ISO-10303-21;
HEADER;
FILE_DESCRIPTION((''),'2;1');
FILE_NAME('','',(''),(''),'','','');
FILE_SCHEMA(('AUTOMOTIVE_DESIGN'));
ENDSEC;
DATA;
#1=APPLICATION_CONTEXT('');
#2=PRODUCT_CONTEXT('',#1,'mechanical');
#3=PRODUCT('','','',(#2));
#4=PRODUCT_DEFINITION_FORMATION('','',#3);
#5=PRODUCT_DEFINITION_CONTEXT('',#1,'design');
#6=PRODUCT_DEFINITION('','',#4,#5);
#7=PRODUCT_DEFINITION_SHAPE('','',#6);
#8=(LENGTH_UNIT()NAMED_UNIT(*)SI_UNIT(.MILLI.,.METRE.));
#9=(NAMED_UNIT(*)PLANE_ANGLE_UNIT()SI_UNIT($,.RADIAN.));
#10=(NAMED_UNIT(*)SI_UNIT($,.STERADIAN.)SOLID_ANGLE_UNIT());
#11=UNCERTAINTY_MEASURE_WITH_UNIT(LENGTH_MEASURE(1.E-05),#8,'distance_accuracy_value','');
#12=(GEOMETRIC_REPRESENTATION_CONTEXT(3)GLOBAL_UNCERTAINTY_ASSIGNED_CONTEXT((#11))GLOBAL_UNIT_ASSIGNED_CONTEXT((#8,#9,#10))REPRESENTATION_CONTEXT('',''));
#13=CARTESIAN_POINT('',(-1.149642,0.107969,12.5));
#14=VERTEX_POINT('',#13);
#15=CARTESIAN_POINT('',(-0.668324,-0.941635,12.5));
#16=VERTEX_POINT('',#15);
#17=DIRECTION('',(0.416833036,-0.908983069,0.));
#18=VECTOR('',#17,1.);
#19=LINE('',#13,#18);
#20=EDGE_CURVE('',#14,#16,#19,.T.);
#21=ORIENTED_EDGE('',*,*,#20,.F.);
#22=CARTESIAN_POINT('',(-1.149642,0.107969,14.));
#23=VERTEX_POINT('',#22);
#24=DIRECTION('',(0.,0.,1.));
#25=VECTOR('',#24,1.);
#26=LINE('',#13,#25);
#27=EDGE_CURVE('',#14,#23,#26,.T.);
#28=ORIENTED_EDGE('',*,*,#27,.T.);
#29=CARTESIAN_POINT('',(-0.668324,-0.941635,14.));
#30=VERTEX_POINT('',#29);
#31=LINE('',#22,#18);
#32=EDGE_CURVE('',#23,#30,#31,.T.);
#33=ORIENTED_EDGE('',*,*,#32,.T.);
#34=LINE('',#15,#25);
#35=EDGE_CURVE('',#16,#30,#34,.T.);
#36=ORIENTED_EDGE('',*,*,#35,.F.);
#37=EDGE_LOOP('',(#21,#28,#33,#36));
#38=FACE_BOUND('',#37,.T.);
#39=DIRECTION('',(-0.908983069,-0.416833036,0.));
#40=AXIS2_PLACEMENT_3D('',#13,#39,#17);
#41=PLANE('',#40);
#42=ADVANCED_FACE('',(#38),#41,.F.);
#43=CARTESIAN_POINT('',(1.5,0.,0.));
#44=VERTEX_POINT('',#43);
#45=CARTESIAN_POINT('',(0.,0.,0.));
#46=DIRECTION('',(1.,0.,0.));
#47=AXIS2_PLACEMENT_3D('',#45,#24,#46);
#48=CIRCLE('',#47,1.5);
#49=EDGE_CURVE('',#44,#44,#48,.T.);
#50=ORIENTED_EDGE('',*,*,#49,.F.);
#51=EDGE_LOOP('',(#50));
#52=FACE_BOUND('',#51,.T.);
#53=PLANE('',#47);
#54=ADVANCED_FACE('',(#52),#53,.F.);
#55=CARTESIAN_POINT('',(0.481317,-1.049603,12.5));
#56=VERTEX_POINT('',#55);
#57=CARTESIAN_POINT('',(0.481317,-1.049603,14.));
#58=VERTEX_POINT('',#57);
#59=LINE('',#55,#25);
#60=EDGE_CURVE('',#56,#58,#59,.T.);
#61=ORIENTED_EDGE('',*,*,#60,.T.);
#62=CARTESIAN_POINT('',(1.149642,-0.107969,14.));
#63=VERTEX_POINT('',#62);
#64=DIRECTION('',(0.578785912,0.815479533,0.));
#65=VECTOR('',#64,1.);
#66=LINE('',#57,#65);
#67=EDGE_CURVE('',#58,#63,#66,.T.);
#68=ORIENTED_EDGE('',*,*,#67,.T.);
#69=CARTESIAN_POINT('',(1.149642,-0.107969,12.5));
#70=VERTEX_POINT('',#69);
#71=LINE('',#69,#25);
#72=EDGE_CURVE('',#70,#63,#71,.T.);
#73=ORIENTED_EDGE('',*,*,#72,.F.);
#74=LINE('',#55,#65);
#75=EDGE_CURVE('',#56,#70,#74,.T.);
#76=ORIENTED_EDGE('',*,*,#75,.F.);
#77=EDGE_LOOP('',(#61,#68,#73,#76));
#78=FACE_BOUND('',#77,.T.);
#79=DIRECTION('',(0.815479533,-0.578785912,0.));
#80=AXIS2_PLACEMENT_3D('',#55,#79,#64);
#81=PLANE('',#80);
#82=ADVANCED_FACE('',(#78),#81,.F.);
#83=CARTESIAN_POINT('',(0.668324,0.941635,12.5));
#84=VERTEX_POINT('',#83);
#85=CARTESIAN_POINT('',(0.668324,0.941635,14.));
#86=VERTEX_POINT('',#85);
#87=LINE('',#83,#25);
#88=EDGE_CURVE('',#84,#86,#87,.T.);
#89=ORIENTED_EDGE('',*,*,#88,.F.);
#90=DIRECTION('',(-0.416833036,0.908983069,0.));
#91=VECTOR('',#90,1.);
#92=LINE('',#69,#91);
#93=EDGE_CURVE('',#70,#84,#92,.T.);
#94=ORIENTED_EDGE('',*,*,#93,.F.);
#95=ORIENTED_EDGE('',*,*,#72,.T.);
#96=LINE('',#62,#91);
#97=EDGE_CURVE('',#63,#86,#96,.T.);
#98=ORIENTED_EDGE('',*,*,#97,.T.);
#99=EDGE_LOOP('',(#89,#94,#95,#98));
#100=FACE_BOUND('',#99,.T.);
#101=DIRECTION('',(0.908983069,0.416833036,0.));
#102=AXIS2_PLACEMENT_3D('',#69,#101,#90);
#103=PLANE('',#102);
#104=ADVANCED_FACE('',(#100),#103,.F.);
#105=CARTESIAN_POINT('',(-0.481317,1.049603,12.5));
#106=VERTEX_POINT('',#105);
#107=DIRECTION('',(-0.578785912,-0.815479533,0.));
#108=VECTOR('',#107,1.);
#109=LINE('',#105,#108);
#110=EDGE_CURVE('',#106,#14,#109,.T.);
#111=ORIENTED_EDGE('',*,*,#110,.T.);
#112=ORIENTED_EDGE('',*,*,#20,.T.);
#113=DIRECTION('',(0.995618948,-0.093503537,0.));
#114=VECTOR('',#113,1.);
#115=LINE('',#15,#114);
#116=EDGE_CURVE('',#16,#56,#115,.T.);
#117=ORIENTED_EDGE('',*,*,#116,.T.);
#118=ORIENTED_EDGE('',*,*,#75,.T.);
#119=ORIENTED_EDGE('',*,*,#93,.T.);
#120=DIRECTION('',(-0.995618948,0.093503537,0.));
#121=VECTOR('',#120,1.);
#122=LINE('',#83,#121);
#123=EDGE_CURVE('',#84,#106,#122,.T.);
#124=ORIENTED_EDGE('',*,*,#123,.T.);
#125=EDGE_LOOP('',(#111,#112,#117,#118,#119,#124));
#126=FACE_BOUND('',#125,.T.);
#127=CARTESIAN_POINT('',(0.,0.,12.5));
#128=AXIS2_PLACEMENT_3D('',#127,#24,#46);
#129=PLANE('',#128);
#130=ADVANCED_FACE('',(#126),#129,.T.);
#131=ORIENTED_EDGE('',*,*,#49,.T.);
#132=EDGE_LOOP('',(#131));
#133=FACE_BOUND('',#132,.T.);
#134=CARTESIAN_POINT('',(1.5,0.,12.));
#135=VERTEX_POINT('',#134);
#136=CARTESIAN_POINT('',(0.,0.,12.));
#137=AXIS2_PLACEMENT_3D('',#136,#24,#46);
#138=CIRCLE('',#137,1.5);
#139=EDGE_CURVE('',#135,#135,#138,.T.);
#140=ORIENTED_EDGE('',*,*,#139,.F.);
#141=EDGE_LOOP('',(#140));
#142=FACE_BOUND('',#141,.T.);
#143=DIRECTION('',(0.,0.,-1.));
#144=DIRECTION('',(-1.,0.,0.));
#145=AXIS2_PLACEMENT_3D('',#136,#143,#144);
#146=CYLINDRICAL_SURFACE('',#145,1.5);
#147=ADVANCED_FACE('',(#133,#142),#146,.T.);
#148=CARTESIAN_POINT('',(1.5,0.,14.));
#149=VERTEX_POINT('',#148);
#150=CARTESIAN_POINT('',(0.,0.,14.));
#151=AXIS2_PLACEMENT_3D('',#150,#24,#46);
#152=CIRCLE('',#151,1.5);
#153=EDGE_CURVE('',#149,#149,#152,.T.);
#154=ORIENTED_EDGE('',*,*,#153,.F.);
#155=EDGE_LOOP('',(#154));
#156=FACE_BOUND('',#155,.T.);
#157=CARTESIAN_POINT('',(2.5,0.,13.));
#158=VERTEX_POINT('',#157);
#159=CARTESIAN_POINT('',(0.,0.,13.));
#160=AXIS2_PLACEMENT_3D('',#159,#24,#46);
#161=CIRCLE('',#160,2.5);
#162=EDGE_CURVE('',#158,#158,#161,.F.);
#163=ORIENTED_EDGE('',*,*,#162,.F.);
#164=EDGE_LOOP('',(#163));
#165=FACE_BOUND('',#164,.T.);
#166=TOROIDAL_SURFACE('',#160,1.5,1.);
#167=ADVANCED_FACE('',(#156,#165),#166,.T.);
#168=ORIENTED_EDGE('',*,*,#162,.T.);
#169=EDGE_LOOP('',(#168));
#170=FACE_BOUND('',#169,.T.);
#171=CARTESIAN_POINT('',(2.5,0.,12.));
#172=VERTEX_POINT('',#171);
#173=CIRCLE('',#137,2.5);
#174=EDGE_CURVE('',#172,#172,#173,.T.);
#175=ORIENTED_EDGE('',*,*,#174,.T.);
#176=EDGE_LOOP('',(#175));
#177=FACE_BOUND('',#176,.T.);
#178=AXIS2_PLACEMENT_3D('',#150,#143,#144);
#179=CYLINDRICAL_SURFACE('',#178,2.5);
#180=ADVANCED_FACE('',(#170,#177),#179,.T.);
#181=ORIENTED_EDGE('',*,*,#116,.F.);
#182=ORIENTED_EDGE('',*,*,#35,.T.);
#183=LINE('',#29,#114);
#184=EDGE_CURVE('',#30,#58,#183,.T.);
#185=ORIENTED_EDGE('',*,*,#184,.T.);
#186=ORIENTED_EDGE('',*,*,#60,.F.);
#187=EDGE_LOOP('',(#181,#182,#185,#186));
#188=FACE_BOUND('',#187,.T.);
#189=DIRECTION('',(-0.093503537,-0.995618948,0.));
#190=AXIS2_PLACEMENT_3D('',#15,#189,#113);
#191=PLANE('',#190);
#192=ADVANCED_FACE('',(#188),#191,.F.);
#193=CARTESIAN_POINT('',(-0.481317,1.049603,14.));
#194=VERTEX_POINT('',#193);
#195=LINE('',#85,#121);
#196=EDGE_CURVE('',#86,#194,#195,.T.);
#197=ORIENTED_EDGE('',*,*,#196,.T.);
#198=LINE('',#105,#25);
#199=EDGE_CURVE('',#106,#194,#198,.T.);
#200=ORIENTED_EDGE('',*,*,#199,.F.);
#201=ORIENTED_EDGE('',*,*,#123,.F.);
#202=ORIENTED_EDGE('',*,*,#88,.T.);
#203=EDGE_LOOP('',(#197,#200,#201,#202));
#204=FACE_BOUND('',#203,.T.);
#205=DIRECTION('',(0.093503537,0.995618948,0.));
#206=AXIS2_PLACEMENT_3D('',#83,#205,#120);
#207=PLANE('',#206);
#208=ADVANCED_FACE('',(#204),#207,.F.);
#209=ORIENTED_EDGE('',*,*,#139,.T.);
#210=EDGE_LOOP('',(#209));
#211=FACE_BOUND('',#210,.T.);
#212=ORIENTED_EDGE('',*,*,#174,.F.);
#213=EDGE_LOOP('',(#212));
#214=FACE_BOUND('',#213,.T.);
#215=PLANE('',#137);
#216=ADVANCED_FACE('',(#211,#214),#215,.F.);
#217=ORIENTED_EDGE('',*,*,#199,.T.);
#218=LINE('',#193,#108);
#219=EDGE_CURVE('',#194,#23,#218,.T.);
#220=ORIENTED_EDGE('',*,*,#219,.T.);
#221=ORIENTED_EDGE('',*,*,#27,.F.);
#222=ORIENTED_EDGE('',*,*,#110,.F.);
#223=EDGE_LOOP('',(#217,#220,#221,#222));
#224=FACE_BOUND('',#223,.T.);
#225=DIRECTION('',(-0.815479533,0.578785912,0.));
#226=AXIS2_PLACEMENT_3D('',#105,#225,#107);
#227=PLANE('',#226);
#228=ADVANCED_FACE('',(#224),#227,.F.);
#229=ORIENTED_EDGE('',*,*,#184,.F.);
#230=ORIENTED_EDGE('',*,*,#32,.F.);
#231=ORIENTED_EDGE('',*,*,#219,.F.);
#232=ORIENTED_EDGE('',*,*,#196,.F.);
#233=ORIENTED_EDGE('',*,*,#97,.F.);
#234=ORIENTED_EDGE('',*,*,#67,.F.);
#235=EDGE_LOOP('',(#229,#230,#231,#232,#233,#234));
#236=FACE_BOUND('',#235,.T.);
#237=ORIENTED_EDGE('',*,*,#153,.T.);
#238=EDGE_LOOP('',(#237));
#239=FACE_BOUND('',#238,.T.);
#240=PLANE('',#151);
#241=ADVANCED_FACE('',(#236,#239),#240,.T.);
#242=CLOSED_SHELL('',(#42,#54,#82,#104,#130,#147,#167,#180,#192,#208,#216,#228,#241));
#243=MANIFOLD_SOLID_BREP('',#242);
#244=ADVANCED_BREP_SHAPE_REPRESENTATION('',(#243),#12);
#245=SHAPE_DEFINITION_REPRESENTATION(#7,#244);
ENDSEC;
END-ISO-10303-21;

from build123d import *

# Parameters (mm, degrees)
SKETCH_1_R          = 1.5
EXTRUDE_1_DEPTH     = 12
SKETCH_2_R          = 2.5
EXTRUDE_2_DEPTH     = 2
CUT_EXTRUDE_1_DEPTH = 1.5
FILLET_2_R          = 1


with BuildPart() as part:
    # 草图1 → 凸台-拉伸1 (new body)
    with BuildSketch(Plane.XY):
        Circle(SKETCH_1_R)
    extrude(amount=EXTRUDE_1_DEPTH)

    # 草图2 → 凸台-拉伸2 (add)
    with BuildSketch(Plane.XY.offset(12)):
        Circle(SKETCH_2_R)
    extrude(amount=EXTRUDE_2_DEPTH)

    # 草图3 → 切除-拉伸1 (cut)
    with BuildSketch(Plane.XY.offset(14)):
        Polygon((1.149641735, -0.107968584), (0.668324404, 0.941634655), (-0.481317331, 1.04960324), (-1.149641735, 0.107968584), (-0.668324404, -0.941634655), (0.481317331, -1.04960324), align=None)
    extrude(amount=-CUT_EXTRUDE_1_DEPTH, mode=Mode.SUBTRACT)

    # 圆角2
    fillet_2_edges = [part.edges().sort_by_distance(p)[0] for p in [
        (-2.5, 0, 14),
    ]]
    fillet(fillet_2_edges, radius=FILLET_2_R)


solid = part.part
